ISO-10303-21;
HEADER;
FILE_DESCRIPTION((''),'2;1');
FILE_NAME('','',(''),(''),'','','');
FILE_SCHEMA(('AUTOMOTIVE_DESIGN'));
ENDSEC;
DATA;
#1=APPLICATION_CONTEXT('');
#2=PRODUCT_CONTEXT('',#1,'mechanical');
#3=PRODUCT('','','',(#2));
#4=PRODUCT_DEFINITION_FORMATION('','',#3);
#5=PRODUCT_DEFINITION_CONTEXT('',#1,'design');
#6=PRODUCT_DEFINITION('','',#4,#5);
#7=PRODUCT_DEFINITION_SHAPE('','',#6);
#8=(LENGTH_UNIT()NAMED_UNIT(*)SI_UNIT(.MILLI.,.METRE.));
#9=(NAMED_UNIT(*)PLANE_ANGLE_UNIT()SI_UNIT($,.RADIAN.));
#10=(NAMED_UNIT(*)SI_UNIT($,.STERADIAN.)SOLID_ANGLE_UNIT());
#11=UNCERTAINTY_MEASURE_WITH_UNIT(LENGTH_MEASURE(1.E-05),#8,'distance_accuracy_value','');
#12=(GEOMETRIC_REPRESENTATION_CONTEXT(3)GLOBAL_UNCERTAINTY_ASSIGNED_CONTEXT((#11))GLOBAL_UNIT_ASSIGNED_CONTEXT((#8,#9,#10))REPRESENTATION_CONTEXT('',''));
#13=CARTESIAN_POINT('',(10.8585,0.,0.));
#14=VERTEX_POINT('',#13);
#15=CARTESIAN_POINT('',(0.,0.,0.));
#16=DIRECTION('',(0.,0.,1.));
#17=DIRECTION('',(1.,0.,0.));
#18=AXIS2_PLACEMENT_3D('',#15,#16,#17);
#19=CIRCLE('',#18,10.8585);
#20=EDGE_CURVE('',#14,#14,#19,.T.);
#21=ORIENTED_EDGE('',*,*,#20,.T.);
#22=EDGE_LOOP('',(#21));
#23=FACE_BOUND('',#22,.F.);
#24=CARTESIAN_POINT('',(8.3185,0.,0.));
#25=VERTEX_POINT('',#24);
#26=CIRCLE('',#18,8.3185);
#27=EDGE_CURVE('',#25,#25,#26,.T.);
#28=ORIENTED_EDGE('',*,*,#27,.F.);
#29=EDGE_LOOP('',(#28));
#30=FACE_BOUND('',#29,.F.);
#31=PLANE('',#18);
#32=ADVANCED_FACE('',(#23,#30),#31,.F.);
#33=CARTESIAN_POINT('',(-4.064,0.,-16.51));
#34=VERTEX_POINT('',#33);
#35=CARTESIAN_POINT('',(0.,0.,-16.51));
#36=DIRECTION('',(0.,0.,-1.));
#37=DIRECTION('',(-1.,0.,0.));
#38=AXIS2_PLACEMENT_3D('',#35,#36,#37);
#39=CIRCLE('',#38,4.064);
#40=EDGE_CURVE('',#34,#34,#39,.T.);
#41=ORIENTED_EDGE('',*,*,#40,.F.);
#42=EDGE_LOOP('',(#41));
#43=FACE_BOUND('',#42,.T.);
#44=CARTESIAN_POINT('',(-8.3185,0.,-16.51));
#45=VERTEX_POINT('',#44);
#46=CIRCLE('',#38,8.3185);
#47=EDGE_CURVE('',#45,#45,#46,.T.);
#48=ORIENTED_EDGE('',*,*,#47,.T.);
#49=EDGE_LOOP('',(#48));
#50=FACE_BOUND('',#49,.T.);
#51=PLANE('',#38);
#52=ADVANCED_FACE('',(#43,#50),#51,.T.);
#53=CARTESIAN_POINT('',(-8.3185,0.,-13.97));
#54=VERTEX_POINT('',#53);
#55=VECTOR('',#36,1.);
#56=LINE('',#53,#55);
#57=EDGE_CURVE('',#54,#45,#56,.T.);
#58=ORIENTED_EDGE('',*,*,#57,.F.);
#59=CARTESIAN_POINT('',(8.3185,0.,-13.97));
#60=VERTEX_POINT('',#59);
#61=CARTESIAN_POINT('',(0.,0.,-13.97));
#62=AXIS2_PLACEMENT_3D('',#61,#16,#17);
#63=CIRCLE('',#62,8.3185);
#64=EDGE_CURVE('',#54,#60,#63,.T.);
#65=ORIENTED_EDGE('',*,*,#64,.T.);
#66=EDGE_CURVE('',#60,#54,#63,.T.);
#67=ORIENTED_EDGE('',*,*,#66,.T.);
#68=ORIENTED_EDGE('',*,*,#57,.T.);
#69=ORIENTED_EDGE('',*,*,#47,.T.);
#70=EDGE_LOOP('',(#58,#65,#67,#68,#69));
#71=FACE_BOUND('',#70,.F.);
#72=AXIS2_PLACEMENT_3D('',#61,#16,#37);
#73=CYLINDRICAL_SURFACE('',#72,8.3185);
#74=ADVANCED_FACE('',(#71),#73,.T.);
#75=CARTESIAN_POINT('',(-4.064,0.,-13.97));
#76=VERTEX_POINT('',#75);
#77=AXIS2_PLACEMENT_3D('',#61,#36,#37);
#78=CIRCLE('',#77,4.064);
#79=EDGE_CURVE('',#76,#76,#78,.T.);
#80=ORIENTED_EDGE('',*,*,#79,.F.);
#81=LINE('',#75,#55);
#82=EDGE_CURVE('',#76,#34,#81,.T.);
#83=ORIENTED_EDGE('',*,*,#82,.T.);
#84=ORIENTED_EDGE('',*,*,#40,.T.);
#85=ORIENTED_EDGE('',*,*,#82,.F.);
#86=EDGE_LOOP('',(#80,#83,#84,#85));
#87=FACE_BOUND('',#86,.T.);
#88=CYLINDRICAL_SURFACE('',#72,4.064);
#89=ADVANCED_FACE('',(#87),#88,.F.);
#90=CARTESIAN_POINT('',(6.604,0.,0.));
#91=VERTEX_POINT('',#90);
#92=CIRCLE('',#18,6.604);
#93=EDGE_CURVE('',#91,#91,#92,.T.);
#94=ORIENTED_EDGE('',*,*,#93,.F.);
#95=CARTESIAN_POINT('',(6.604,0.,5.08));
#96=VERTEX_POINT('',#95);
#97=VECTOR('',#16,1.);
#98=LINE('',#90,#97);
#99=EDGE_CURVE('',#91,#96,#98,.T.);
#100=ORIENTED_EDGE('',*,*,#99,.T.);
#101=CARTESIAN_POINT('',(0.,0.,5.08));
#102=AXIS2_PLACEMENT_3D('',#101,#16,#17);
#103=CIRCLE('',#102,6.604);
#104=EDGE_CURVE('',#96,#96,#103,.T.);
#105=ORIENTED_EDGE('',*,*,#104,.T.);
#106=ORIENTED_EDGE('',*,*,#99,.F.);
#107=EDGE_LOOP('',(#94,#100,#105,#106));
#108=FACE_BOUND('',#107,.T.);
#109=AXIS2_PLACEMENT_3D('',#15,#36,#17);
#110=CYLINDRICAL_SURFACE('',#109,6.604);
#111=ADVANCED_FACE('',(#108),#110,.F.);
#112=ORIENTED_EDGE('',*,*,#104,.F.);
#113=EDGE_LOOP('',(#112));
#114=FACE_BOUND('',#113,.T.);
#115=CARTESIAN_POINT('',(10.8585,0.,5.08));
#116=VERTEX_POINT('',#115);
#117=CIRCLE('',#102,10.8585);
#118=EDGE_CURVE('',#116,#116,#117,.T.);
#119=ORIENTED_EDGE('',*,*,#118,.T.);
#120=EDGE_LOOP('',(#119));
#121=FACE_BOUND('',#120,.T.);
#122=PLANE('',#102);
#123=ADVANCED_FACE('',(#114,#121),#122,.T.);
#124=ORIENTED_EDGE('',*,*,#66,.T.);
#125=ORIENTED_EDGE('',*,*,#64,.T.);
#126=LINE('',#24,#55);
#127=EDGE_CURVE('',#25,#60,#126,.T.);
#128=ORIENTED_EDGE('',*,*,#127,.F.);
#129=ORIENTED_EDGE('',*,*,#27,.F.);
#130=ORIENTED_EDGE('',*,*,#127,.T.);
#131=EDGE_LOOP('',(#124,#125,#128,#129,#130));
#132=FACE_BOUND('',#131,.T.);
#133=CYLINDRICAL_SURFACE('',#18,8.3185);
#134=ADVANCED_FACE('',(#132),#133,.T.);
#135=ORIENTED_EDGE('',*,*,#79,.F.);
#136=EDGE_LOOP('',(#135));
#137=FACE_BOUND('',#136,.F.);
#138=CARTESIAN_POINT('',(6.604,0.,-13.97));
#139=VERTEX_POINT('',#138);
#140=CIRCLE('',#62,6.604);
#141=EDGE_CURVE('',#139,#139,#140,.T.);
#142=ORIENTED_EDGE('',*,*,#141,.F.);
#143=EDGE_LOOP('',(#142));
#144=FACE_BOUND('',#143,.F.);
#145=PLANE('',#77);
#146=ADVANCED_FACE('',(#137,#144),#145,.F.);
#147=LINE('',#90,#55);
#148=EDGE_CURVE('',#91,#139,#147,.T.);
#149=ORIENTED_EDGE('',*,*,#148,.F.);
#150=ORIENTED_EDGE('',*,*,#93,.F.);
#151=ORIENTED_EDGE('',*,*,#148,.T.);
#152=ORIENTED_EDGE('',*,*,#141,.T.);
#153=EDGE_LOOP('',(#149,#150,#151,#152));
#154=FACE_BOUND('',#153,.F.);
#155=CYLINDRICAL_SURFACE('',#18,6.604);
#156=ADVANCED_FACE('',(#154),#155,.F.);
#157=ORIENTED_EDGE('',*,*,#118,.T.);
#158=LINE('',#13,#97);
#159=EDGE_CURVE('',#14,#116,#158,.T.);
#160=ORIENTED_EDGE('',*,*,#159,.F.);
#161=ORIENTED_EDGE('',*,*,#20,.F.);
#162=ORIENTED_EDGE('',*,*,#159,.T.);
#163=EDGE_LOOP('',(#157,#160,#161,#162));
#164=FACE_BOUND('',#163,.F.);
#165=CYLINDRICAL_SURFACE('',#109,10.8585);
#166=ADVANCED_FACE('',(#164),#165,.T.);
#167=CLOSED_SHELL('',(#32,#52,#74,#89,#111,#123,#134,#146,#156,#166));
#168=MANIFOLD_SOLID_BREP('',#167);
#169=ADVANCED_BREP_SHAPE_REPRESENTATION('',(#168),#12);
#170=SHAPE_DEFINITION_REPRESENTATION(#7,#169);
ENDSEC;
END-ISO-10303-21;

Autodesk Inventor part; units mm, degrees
ref_plane "YZ Plane" through (0, 0, 0) normal (1, 0, 0) x (0, 1, 0)
ref_plane "Work Plane1" through (0, 0, 0) normal (0, 0, 1) x (1, 0, 0)
sketch "Sketch1" plane through (0, 0, 0) normal (0, 0, 1) x (1, 0, 0)
  circle A0 centre (0, 0) radius 8.5725 projected
  circle A1 centre (0, 0) radius 8.3185
  circle A2 centre (0, 0) radius 6.604
  point P0 (0, 0)
  dimension "d0" = 0.254
  dimension "d1" = 13.208
ref_plane "Work Plane2" through (-23.495, -23.495, -13.97) normal (0, 0, -1) x (0, 1, 0)
extrude "Extrusion1" add sketch "Sketch1" against normal up to surface (13.97 mm away) contours A1
sketch "Sketch2" plane through (0, 0, 0) normal (0, 0, 1) x (1, 0, 0)
  circle A0 centre (0, 0) radius 6.604 projected
  circle A1 centre (0, 0) radius 8.3185 projected
  circle A2 centre (0, 0) radius 10.8585
  dimension "d4" = 2.54
extrude "Extrusion2" add sketch "Sketch2" along normal blind 5.08 contours A1 | A2
sketch "Sketch4" plane through (0, 0, -13.97) normal (0, 0, -1) x (-1, 0, 0)
  circle A0 centre (0, 0) radius 6.604 projected
  circle A1 centre (0, 0) radius 8.3185 projected
  circle A2 centre (0, 0) radius 4.064
  dimension "d9" = 2.54
extrude "Extrusion4" add sketch "Sketch4" along normal blind 2.54 contours A0 | A1
properties part number "Big Bearing Sleeve"
